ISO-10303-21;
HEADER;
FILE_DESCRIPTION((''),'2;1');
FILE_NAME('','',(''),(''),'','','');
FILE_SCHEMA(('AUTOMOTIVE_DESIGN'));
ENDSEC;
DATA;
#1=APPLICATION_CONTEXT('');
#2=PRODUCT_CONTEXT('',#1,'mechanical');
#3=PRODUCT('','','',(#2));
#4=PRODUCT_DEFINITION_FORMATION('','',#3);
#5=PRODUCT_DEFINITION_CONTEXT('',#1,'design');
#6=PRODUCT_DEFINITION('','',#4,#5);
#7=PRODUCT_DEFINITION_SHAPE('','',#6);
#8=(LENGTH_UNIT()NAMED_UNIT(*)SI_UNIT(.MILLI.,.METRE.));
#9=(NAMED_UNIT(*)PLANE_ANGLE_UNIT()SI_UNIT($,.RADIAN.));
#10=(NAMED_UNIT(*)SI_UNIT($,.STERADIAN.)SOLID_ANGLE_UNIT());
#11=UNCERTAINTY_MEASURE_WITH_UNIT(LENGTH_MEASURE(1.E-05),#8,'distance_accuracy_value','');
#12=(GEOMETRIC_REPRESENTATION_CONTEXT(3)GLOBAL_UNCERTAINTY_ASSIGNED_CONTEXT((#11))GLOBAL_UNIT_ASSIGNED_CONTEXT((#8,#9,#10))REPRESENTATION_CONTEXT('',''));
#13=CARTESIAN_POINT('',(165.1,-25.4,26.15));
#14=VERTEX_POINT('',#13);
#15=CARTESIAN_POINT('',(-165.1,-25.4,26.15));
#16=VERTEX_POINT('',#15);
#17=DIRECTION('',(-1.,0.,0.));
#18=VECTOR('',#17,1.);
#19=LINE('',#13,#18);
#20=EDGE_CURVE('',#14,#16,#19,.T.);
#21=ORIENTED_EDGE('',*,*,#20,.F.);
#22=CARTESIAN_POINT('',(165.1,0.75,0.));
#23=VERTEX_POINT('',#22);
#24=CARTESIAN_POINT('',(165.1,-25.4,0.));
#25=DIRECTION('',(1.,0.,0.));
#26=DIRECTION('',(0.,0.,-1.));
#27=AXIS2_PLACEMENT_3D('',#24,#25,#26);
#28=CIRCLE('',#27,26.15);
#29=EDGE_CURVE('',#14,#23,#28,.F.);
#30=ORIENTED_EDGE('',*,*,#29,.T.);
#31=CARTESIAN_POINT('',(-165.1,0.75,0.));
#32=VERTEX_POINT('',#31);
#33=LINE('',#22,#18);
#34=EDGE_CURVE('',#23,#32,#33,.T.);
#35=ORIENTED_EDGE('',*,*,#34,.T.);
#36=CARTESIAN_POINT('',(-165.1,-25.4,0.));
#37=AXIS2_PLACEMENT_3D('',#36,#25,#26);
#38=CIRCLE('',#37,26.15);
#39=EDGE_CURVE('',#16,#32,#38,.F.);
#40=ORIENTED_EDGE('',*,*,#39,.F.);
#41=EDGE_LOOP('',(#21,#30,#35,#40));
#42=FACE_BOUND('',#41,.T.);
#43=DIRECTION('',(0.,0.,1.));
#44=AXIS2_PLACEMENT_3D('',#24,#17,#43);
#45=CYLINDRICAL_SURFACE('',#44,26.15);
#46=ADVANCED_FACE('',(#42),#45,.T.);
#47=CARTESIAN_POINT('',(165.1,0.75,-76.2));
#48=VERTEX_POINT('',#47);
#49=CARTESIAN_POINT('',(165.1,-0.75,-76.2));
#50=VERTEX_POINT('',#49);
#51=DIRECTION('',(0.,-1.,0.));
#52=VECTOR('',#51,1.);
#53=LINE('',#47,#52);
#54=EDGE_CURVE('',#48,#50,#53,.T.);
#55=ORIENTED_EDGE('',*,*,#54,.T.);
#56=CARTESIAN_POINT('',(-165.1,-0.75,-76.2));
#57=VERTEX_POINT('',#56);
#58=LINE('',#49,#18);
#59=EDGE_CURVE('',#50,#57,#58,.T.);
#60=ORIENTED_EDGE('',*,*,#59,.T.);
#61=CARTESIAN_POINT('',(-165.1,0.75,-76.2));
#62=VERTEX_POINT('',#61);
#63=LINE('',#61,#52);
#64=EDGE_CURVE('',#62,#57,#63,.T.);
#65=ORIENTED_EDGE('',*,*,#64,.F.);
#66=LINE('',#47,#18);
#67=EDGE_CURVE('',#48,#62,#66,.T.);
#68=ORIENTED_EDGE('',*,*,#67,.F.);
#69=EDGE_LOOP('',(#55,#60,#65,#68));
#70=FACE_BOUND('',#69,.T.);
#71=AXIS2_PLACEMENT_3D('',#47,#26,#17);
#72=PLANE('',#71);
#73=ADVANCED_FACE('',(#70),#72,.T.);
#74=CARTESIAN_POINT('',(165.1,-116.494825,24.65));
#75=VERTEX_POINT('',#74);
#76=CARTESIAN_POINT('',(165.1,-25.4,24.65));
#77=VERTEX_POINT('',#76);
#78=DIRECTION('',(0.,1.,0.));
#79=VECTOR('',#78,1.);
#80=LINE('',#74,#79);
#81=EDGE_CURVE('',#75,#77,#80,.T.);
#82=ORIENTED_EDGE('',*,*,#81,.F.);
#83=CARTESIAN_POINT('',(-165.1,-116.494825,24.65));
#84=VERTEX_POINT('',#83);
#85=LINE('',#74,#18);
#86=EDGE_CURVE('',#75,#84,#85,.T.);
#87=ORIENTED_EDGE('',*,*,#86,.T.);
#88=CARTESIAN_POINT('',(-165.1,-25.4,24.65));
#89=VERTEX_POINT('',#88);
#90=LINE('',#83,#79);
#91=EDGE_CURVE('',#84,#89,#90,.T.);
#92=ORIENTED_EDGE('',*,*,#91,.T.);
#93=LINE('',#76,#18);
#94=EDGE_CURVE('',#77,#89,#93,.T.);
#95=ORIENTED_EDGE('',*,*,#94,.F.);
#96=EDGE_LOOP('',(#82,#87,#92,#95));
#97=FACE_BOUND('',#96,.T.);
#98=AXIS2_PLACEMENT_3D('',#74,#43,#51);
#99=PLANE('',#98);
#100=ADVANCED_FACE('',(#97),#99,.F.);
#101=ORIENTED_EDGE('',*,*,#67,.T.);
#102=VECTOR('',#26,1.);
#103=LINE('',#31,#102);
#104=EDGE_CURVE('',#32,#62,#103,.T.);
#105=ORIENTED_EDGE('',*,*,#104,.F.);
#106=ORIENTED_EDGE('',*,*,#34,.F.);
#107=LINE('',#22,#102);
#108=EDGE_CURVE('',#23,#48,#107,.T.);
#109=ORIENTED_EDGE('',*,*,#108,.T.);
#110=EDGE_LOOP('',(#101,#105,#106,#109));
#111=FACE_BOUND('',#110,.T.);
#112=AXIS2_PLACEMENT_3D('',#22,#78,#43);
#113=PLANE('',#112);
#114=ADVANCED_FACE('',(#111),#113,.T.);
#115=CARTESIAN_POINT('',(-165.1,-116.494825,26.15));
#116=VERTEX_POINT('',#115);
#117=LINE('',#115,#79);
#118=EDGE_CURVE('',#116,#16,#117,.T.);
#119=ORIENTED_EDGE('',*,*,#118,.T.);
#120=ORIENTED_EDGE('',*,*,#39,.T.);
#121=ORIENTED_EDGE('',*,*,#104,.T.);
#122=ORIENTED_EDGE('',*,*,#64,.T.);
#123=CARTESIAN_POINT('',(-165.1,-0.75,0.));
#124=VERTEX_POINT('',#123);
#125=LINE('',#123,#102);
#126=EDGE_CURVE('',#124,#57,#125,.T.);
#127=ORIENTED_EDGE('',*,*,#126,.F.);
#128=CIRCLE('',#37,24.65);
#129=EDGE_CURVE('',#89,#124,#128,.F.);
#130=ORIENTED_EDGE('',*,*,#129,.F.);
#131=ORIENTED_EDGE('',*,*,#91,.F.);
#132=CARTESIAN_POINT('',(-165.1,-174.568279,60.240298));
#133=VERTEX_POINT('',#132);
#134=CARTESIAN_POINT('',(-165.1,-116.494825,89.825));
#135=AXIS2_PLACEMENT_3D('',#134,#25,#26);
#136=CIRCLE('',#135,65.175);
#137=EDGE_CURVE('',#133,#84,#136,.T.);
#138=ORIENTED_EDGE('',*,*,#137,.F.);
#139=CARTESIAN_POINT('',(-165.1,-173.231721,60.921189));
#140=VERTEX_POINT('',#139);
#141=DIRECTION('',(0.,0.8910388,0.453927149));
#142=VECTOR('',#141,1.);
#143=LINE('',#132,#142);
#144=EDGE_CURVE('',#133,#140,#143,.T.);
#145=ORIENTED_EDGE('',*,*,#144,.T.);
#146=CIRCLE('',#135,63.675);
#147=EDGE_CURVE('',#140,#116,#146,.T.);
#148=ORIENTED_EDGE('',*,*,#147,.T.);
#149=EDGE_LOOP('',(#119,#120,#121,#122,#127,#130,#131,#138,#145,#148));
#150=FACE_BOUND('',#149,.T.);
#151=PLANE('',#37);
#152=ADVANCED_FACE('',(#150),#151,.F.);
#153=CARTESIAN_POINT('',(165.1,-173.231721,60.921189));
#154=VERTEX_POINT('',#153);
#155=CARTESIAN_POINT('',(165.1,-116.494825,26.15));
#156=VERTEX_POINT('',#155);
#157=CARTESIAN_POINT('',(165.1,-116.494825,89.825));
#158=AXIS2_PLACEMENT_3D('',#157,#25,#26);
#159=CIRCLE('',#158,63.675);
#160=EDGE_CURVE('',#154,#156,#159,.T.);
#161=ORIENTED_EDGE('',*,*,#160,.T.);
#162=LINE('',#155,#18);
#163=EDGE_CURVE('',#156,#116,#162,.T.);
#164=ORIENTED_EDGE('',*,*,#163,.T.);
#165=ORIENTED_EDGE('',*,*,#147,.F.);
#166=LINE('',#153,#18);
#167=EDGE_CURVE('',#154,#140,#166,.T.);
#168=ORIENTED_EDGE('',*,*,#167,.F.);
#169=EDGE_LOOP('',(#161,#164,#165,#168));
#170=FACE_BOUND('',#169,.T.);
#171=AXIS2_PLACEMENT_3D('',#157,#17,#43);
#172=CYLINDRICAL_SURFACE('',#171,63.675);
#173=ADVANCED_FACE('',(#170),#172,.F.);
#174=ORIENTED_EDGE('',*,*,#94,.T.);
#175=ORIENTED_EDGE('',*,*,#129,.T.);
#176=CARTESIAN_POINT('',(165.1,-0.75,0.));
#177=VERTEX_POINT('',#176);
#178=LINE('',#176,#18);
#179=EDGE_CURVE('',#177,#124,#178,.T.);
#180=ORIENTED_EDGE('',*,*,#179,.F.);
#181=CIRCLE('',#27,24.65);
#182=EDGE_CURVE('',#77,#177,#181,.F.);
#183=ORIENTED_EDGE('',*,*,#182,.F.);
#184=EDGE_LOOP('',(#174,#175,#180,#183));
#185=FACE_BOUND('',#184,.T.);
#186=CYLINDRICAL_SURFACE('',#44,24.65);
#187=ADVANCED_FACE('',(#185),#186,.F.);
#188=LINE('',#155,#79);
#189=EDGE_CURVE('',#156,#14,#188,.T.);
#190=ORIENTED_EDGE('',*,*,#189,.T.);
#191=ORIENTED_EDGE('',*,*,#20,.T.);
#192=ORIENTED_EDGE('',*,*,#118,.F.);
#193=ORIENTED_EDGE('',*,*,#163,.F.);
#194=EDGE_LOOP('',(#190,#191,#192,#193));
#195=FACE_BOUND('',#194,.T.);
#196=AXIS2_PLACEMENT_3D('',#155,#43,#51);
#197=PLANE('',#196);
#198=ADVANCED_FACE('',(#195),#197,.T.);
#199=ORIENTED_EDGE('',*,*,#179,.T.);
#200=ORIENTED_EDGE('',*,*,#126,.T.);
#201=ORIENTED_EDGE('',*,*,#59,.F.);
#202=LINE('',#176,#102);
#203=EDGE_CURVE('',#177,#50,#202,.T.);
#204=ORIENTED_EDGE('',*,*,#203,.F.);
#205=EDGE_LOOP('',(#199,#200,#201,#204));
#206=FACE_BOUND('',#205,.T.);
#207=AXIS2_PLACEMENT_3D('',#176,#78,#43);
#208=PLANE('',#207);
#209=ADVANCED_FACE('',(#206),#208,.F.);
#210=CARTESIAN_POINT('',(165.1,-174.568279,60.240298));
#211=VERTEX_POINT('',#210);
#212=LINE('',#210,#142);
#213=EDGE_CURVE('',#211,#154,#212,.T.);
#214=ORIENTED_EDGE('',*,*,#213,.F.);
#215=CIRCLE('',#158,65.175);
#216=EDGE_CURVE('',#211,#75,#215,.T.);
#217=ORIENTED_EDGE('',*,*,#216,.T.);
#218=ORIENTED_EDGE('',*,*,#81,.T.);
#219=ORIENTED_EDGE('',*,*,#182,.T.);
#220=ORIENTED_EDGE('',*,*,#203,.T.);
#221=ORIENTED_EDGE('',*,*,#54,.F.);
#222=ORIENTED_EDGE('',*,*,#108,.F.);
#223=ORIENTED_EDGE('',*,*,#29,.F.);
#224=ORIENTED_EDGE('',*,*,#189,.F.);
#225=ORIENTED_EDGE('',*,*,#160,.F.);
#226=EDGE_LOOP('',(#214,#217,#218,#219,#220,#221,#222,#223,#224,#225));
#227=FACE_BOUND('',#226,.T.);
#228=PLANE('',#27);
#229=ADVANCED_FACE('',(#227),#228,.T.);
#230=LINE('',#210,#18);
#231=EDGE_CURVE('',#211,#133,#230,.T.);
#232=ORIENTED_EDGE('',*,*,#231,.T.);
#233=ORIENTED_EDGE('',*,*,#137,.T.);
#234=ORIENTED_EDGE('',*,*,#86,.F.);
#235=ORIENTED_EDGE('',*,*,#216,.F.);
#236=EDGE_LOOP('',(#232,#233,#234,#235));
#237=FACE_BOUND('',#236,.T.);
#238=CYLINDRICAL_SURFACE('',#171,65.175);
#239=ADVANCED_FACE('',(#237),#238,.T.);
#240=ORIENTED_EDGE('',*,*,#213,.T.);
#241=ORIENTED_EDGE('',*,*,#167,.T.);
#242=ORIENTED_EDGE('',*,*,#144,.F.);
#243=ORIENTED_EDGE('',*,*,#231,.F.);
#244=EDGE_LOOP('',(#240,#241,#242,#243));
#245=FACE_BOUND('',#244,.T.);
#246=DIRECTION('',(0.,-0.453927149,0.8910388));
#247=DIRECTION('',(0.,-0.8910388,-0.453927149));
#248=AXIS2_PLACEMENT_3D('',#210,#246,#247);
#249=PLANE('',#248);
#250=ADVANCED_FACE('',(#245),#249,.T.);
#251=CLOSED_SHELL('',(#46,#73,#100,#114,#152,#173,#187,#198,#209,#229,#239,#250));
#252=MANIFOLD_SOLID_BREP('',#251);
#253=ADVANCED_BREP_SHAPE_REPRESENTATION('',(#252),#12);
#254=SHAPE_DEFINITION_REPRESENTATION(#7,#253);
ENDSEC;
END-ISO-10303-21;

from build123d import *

# Parameters (mm, degrees)
EXTRUDE_THIN1_DEPTH = 165.1


with BuildPart() as part:
    # Sketch2 → Extrude-Thin1 (new body, symmetric)
    with BuildSketch(Plane(origin=(0, 0, 0), x_dir=(0, 0, -1), z_dir=(1, 0, 0))):
        with BuildLine():
            ThreePointArc((-60.240298086, -174.5682791), (-34.255387925, -150.550644745), (-24.65, -116.494825288))
            Line((-24.65, -116.494825288), (-24.65, -25.4))
            ThreePointArc((-24.65, -25.4), (-17.430182156, -7.969817844), (0, -0.75))
            Line((0, -0.75), (76.2, -0.75))
            Line((76.2, -0.75), (76.2, 0.75))
            Line((76.2, 0.75), (0, 0.75))
            ThreePointArc((0, 0.75), (-18.490842328, -6.909157672), (-26.15, -25.4))
            Line((-26.15, -25.4), (-26.15, -116.494825288))
            ThreePointArc((-26.15, -116.494825288), (-35.534320309, -149.766851432), (-60.921188809, -173.2317209))
            Line((-60.921188809, -173.2317209), (-60.240298086, -174.5682791))
        make_face()
    extrude(amount=EXTRUDE_THIN1_DEPTH, both=True)


solid = part.part
